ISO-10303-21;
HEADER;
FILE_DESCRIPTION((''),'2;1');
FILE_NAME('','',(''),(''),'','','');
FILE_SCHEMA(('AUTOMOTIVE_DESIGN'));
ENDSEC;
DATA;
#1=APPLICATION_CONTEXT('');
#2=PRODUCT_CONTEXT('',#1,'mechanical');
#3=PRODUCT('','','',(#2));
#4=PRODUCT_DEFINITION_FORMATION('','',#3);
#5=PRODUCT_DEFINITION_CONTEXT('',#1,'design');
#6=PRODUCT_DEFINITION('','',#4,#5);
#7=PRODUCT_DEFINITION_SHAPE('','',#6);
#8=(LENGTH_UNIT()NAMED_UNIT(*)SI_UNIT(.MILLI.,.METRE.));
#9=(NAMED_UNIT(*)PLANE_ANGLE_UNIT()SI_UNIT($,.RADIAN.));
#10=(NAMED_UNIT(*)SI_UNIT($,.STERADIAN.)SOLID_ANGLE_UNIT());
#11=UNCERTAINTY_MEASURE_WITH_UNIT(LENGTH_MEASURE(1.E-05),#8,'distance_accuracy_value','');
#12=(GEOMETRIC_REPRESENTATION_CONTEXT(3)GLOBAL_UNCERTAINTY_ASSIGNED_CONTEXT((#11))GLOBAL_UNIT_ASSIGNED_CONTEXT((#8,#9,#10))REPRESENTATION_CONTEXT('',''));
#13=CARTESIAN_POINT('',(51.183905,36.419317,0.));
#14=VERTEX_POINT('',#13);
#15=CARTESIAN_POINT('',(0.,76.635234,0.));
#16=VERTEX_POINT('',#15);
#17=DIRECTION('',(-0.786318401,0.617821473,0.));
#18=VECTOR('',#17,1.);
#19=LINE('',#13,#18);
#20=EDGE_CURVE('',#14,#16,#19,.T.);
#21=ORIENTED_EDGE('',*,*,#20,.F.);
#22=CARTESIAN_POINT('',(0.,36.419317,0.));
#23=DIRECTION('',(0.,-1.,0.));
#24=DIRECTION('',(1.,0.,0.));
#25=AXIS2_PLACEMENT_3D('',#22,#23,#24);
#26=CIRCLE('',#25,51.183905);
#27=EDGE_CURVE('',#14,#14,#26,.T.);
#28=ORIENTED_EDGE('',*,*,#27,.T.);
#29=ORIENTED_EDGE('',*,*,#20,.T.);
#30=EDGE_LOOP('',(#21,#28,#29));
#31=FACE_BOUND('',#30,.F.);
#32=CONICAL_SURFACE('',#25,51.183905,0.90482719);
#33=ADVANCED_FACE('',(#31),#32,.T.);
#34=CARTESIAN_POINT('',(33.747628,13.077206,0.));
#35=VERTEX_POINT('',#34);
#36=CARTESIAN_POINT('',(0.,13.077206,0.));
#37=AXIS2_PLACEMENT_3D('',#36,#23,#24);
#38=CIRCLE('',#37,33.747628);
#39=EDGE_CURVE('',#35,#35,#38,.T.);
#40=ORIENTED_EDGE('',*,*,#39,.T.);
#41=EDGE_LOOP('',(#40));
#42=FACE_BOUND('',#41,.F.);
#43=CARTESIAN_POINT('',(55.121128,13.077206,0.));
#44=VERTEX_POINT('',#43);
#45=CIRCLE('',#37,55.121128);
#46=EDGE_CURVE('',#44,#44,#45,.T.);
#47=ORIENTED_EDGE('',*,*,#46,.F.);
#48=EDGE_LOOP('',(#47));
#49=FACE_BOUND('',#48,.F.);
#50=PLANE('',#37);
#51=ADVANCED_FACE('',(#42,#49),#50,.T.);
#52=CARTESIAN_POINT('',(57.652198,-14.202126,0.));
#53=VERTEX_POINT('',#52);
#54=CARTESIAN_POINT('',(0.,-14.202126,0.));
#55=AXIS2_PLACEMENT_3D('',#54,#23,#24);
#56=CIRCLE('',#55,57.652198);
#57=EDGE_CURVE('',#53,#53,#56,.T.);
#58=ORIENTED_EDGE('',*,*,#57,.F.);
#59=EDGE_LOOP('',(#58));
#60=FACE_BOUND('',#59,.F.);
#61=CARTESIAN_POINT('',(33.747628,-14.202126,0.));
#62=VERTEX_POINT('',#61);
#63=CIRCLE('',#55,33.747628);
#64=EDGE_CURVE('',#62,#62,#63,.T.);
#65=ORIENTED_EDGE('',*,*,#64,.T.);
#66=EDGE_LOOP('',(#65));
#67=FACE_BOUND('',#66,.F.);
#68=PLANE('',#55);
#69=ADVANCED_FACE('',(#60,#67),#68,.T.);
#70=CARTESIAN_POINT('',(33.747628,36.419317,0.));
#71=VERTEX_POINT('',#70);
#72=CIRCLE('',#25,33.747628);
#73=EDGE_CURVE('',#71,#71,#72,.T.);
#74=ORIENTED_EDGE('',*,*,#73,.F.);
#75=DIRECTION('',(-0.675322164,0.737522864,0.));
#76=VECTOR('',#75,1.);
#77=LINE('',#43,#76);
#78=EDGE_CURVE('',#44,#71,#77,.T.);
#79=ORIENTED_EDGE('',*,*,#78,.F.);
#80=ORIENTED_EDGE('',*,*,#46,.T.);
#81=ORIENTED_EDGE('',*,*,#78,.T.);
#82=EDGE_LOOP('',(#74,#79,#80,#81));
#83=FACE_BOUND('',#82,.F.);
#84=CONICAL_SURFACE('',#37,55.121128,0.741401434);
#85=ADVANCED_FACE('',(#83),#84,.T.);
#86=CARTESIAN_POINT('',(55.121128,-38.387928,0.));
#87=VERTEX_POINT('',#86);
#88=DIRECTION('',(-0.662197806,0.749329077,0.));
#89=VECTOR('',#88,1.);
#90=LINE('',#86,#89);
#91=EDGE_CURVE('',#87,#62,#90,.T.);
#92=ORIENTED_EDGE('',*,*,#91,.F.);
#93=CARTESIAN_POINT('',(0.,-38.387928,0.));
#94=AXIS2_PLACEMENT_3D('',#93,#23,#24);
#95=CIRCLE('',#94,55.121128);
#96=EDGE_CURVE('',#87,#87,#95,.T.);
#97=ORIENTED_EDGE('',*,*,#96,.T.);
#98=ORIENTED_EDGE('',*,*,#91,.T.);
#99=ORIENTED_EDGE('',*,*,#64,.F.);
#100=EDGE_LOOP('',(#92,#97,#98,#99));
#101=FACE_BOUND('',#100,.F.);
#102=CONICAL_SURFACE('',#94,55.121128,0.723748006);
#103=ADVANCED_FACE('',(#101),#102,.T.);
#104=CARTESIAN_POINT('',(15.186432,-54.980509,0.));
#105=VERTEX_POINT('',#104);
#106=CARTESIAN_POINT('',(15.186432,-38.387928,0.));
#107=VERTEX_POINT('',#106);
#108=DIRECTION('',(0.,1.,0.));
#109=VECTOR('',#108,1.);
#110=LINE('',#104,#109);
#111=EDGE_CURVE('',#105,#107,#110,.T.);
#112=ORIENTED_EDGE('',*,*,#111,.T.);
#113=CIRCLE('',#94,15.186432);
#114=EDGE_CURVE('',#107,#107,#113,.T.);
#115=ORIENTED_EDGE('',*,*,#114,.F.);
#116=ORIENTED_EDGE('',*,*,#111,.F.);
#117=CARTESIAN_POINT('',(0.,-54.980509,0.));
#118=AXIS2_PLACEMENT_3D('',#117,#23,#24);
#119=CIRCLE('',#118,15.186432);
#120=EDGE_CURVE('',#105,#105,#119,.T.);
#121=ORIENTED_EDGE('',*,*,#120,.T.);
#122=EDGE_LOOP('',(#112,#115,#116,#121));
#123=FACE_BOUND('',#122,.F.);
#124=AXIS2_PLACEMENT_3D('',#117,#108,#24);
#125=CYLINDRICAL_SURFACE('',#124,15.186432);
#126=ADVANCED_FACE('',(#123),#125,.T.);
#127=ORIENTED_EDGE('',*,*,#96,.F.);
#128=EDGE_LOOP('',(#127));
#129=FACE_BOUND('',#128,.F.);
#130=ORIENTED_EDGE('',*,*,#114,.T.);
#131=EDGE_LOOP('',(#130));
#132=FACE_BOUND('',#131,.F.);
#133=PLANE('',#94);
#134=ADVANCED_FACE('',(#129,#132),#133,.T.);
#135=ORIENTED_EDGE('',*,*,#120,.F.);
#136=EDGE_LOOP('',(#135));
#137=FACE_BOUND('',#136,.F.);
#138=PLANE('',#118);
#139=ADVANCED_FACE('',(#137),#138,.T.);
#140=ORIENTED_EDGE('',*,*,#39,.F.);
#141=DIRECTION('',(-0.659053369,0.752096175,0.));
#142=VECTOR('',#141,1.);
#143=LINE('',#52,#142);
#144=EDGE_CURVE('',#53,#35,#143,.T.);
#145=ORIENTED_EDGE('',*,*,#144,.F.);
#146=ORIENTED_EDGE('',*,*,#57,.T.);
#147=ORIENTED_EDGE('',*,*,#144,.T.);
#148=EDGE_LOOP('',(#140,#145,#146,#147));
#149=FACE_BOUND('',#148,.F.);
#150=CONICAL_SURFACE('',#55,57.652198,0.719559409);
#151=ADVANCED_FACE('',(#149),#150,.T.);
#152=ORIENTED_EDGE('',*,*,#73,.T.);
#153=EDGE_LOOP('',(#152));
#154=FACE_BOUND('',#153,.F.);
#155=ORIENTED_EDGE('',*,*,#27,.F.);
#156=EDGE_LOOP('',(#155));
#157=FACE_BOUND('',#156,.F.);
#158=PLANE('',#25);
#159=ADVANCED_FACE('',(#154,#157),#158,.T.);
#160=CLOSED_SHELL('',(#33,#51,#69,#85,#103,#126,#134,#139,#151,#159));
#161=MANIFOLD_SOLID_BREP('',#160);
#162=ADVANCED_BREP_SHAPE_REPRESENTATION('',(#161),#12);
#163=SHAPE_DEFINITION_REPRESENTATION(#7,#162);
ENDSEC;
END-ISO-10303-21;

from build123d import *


with BuildPart() as f1:
    # F0 (on Top) → F1 (revolve)
    with BuildSketch(Plane.XY):
        Polygon((0, 76.635234), (0, -54.980509), (15.186432, -54.980509), (15.186432, -38.387928), (55.121128, -38.387928), (33.747628, -14.202126), (57.652198, -14.202126), (33.747628, 13.077206), (55.121128, 13.077206), (33.747628, 36.419317), (51.183905, 36.419317), align=None)
    revolve(axis=Axis((0, 10.827363, 0), (0, -1, 0)))


solid = f1.part
